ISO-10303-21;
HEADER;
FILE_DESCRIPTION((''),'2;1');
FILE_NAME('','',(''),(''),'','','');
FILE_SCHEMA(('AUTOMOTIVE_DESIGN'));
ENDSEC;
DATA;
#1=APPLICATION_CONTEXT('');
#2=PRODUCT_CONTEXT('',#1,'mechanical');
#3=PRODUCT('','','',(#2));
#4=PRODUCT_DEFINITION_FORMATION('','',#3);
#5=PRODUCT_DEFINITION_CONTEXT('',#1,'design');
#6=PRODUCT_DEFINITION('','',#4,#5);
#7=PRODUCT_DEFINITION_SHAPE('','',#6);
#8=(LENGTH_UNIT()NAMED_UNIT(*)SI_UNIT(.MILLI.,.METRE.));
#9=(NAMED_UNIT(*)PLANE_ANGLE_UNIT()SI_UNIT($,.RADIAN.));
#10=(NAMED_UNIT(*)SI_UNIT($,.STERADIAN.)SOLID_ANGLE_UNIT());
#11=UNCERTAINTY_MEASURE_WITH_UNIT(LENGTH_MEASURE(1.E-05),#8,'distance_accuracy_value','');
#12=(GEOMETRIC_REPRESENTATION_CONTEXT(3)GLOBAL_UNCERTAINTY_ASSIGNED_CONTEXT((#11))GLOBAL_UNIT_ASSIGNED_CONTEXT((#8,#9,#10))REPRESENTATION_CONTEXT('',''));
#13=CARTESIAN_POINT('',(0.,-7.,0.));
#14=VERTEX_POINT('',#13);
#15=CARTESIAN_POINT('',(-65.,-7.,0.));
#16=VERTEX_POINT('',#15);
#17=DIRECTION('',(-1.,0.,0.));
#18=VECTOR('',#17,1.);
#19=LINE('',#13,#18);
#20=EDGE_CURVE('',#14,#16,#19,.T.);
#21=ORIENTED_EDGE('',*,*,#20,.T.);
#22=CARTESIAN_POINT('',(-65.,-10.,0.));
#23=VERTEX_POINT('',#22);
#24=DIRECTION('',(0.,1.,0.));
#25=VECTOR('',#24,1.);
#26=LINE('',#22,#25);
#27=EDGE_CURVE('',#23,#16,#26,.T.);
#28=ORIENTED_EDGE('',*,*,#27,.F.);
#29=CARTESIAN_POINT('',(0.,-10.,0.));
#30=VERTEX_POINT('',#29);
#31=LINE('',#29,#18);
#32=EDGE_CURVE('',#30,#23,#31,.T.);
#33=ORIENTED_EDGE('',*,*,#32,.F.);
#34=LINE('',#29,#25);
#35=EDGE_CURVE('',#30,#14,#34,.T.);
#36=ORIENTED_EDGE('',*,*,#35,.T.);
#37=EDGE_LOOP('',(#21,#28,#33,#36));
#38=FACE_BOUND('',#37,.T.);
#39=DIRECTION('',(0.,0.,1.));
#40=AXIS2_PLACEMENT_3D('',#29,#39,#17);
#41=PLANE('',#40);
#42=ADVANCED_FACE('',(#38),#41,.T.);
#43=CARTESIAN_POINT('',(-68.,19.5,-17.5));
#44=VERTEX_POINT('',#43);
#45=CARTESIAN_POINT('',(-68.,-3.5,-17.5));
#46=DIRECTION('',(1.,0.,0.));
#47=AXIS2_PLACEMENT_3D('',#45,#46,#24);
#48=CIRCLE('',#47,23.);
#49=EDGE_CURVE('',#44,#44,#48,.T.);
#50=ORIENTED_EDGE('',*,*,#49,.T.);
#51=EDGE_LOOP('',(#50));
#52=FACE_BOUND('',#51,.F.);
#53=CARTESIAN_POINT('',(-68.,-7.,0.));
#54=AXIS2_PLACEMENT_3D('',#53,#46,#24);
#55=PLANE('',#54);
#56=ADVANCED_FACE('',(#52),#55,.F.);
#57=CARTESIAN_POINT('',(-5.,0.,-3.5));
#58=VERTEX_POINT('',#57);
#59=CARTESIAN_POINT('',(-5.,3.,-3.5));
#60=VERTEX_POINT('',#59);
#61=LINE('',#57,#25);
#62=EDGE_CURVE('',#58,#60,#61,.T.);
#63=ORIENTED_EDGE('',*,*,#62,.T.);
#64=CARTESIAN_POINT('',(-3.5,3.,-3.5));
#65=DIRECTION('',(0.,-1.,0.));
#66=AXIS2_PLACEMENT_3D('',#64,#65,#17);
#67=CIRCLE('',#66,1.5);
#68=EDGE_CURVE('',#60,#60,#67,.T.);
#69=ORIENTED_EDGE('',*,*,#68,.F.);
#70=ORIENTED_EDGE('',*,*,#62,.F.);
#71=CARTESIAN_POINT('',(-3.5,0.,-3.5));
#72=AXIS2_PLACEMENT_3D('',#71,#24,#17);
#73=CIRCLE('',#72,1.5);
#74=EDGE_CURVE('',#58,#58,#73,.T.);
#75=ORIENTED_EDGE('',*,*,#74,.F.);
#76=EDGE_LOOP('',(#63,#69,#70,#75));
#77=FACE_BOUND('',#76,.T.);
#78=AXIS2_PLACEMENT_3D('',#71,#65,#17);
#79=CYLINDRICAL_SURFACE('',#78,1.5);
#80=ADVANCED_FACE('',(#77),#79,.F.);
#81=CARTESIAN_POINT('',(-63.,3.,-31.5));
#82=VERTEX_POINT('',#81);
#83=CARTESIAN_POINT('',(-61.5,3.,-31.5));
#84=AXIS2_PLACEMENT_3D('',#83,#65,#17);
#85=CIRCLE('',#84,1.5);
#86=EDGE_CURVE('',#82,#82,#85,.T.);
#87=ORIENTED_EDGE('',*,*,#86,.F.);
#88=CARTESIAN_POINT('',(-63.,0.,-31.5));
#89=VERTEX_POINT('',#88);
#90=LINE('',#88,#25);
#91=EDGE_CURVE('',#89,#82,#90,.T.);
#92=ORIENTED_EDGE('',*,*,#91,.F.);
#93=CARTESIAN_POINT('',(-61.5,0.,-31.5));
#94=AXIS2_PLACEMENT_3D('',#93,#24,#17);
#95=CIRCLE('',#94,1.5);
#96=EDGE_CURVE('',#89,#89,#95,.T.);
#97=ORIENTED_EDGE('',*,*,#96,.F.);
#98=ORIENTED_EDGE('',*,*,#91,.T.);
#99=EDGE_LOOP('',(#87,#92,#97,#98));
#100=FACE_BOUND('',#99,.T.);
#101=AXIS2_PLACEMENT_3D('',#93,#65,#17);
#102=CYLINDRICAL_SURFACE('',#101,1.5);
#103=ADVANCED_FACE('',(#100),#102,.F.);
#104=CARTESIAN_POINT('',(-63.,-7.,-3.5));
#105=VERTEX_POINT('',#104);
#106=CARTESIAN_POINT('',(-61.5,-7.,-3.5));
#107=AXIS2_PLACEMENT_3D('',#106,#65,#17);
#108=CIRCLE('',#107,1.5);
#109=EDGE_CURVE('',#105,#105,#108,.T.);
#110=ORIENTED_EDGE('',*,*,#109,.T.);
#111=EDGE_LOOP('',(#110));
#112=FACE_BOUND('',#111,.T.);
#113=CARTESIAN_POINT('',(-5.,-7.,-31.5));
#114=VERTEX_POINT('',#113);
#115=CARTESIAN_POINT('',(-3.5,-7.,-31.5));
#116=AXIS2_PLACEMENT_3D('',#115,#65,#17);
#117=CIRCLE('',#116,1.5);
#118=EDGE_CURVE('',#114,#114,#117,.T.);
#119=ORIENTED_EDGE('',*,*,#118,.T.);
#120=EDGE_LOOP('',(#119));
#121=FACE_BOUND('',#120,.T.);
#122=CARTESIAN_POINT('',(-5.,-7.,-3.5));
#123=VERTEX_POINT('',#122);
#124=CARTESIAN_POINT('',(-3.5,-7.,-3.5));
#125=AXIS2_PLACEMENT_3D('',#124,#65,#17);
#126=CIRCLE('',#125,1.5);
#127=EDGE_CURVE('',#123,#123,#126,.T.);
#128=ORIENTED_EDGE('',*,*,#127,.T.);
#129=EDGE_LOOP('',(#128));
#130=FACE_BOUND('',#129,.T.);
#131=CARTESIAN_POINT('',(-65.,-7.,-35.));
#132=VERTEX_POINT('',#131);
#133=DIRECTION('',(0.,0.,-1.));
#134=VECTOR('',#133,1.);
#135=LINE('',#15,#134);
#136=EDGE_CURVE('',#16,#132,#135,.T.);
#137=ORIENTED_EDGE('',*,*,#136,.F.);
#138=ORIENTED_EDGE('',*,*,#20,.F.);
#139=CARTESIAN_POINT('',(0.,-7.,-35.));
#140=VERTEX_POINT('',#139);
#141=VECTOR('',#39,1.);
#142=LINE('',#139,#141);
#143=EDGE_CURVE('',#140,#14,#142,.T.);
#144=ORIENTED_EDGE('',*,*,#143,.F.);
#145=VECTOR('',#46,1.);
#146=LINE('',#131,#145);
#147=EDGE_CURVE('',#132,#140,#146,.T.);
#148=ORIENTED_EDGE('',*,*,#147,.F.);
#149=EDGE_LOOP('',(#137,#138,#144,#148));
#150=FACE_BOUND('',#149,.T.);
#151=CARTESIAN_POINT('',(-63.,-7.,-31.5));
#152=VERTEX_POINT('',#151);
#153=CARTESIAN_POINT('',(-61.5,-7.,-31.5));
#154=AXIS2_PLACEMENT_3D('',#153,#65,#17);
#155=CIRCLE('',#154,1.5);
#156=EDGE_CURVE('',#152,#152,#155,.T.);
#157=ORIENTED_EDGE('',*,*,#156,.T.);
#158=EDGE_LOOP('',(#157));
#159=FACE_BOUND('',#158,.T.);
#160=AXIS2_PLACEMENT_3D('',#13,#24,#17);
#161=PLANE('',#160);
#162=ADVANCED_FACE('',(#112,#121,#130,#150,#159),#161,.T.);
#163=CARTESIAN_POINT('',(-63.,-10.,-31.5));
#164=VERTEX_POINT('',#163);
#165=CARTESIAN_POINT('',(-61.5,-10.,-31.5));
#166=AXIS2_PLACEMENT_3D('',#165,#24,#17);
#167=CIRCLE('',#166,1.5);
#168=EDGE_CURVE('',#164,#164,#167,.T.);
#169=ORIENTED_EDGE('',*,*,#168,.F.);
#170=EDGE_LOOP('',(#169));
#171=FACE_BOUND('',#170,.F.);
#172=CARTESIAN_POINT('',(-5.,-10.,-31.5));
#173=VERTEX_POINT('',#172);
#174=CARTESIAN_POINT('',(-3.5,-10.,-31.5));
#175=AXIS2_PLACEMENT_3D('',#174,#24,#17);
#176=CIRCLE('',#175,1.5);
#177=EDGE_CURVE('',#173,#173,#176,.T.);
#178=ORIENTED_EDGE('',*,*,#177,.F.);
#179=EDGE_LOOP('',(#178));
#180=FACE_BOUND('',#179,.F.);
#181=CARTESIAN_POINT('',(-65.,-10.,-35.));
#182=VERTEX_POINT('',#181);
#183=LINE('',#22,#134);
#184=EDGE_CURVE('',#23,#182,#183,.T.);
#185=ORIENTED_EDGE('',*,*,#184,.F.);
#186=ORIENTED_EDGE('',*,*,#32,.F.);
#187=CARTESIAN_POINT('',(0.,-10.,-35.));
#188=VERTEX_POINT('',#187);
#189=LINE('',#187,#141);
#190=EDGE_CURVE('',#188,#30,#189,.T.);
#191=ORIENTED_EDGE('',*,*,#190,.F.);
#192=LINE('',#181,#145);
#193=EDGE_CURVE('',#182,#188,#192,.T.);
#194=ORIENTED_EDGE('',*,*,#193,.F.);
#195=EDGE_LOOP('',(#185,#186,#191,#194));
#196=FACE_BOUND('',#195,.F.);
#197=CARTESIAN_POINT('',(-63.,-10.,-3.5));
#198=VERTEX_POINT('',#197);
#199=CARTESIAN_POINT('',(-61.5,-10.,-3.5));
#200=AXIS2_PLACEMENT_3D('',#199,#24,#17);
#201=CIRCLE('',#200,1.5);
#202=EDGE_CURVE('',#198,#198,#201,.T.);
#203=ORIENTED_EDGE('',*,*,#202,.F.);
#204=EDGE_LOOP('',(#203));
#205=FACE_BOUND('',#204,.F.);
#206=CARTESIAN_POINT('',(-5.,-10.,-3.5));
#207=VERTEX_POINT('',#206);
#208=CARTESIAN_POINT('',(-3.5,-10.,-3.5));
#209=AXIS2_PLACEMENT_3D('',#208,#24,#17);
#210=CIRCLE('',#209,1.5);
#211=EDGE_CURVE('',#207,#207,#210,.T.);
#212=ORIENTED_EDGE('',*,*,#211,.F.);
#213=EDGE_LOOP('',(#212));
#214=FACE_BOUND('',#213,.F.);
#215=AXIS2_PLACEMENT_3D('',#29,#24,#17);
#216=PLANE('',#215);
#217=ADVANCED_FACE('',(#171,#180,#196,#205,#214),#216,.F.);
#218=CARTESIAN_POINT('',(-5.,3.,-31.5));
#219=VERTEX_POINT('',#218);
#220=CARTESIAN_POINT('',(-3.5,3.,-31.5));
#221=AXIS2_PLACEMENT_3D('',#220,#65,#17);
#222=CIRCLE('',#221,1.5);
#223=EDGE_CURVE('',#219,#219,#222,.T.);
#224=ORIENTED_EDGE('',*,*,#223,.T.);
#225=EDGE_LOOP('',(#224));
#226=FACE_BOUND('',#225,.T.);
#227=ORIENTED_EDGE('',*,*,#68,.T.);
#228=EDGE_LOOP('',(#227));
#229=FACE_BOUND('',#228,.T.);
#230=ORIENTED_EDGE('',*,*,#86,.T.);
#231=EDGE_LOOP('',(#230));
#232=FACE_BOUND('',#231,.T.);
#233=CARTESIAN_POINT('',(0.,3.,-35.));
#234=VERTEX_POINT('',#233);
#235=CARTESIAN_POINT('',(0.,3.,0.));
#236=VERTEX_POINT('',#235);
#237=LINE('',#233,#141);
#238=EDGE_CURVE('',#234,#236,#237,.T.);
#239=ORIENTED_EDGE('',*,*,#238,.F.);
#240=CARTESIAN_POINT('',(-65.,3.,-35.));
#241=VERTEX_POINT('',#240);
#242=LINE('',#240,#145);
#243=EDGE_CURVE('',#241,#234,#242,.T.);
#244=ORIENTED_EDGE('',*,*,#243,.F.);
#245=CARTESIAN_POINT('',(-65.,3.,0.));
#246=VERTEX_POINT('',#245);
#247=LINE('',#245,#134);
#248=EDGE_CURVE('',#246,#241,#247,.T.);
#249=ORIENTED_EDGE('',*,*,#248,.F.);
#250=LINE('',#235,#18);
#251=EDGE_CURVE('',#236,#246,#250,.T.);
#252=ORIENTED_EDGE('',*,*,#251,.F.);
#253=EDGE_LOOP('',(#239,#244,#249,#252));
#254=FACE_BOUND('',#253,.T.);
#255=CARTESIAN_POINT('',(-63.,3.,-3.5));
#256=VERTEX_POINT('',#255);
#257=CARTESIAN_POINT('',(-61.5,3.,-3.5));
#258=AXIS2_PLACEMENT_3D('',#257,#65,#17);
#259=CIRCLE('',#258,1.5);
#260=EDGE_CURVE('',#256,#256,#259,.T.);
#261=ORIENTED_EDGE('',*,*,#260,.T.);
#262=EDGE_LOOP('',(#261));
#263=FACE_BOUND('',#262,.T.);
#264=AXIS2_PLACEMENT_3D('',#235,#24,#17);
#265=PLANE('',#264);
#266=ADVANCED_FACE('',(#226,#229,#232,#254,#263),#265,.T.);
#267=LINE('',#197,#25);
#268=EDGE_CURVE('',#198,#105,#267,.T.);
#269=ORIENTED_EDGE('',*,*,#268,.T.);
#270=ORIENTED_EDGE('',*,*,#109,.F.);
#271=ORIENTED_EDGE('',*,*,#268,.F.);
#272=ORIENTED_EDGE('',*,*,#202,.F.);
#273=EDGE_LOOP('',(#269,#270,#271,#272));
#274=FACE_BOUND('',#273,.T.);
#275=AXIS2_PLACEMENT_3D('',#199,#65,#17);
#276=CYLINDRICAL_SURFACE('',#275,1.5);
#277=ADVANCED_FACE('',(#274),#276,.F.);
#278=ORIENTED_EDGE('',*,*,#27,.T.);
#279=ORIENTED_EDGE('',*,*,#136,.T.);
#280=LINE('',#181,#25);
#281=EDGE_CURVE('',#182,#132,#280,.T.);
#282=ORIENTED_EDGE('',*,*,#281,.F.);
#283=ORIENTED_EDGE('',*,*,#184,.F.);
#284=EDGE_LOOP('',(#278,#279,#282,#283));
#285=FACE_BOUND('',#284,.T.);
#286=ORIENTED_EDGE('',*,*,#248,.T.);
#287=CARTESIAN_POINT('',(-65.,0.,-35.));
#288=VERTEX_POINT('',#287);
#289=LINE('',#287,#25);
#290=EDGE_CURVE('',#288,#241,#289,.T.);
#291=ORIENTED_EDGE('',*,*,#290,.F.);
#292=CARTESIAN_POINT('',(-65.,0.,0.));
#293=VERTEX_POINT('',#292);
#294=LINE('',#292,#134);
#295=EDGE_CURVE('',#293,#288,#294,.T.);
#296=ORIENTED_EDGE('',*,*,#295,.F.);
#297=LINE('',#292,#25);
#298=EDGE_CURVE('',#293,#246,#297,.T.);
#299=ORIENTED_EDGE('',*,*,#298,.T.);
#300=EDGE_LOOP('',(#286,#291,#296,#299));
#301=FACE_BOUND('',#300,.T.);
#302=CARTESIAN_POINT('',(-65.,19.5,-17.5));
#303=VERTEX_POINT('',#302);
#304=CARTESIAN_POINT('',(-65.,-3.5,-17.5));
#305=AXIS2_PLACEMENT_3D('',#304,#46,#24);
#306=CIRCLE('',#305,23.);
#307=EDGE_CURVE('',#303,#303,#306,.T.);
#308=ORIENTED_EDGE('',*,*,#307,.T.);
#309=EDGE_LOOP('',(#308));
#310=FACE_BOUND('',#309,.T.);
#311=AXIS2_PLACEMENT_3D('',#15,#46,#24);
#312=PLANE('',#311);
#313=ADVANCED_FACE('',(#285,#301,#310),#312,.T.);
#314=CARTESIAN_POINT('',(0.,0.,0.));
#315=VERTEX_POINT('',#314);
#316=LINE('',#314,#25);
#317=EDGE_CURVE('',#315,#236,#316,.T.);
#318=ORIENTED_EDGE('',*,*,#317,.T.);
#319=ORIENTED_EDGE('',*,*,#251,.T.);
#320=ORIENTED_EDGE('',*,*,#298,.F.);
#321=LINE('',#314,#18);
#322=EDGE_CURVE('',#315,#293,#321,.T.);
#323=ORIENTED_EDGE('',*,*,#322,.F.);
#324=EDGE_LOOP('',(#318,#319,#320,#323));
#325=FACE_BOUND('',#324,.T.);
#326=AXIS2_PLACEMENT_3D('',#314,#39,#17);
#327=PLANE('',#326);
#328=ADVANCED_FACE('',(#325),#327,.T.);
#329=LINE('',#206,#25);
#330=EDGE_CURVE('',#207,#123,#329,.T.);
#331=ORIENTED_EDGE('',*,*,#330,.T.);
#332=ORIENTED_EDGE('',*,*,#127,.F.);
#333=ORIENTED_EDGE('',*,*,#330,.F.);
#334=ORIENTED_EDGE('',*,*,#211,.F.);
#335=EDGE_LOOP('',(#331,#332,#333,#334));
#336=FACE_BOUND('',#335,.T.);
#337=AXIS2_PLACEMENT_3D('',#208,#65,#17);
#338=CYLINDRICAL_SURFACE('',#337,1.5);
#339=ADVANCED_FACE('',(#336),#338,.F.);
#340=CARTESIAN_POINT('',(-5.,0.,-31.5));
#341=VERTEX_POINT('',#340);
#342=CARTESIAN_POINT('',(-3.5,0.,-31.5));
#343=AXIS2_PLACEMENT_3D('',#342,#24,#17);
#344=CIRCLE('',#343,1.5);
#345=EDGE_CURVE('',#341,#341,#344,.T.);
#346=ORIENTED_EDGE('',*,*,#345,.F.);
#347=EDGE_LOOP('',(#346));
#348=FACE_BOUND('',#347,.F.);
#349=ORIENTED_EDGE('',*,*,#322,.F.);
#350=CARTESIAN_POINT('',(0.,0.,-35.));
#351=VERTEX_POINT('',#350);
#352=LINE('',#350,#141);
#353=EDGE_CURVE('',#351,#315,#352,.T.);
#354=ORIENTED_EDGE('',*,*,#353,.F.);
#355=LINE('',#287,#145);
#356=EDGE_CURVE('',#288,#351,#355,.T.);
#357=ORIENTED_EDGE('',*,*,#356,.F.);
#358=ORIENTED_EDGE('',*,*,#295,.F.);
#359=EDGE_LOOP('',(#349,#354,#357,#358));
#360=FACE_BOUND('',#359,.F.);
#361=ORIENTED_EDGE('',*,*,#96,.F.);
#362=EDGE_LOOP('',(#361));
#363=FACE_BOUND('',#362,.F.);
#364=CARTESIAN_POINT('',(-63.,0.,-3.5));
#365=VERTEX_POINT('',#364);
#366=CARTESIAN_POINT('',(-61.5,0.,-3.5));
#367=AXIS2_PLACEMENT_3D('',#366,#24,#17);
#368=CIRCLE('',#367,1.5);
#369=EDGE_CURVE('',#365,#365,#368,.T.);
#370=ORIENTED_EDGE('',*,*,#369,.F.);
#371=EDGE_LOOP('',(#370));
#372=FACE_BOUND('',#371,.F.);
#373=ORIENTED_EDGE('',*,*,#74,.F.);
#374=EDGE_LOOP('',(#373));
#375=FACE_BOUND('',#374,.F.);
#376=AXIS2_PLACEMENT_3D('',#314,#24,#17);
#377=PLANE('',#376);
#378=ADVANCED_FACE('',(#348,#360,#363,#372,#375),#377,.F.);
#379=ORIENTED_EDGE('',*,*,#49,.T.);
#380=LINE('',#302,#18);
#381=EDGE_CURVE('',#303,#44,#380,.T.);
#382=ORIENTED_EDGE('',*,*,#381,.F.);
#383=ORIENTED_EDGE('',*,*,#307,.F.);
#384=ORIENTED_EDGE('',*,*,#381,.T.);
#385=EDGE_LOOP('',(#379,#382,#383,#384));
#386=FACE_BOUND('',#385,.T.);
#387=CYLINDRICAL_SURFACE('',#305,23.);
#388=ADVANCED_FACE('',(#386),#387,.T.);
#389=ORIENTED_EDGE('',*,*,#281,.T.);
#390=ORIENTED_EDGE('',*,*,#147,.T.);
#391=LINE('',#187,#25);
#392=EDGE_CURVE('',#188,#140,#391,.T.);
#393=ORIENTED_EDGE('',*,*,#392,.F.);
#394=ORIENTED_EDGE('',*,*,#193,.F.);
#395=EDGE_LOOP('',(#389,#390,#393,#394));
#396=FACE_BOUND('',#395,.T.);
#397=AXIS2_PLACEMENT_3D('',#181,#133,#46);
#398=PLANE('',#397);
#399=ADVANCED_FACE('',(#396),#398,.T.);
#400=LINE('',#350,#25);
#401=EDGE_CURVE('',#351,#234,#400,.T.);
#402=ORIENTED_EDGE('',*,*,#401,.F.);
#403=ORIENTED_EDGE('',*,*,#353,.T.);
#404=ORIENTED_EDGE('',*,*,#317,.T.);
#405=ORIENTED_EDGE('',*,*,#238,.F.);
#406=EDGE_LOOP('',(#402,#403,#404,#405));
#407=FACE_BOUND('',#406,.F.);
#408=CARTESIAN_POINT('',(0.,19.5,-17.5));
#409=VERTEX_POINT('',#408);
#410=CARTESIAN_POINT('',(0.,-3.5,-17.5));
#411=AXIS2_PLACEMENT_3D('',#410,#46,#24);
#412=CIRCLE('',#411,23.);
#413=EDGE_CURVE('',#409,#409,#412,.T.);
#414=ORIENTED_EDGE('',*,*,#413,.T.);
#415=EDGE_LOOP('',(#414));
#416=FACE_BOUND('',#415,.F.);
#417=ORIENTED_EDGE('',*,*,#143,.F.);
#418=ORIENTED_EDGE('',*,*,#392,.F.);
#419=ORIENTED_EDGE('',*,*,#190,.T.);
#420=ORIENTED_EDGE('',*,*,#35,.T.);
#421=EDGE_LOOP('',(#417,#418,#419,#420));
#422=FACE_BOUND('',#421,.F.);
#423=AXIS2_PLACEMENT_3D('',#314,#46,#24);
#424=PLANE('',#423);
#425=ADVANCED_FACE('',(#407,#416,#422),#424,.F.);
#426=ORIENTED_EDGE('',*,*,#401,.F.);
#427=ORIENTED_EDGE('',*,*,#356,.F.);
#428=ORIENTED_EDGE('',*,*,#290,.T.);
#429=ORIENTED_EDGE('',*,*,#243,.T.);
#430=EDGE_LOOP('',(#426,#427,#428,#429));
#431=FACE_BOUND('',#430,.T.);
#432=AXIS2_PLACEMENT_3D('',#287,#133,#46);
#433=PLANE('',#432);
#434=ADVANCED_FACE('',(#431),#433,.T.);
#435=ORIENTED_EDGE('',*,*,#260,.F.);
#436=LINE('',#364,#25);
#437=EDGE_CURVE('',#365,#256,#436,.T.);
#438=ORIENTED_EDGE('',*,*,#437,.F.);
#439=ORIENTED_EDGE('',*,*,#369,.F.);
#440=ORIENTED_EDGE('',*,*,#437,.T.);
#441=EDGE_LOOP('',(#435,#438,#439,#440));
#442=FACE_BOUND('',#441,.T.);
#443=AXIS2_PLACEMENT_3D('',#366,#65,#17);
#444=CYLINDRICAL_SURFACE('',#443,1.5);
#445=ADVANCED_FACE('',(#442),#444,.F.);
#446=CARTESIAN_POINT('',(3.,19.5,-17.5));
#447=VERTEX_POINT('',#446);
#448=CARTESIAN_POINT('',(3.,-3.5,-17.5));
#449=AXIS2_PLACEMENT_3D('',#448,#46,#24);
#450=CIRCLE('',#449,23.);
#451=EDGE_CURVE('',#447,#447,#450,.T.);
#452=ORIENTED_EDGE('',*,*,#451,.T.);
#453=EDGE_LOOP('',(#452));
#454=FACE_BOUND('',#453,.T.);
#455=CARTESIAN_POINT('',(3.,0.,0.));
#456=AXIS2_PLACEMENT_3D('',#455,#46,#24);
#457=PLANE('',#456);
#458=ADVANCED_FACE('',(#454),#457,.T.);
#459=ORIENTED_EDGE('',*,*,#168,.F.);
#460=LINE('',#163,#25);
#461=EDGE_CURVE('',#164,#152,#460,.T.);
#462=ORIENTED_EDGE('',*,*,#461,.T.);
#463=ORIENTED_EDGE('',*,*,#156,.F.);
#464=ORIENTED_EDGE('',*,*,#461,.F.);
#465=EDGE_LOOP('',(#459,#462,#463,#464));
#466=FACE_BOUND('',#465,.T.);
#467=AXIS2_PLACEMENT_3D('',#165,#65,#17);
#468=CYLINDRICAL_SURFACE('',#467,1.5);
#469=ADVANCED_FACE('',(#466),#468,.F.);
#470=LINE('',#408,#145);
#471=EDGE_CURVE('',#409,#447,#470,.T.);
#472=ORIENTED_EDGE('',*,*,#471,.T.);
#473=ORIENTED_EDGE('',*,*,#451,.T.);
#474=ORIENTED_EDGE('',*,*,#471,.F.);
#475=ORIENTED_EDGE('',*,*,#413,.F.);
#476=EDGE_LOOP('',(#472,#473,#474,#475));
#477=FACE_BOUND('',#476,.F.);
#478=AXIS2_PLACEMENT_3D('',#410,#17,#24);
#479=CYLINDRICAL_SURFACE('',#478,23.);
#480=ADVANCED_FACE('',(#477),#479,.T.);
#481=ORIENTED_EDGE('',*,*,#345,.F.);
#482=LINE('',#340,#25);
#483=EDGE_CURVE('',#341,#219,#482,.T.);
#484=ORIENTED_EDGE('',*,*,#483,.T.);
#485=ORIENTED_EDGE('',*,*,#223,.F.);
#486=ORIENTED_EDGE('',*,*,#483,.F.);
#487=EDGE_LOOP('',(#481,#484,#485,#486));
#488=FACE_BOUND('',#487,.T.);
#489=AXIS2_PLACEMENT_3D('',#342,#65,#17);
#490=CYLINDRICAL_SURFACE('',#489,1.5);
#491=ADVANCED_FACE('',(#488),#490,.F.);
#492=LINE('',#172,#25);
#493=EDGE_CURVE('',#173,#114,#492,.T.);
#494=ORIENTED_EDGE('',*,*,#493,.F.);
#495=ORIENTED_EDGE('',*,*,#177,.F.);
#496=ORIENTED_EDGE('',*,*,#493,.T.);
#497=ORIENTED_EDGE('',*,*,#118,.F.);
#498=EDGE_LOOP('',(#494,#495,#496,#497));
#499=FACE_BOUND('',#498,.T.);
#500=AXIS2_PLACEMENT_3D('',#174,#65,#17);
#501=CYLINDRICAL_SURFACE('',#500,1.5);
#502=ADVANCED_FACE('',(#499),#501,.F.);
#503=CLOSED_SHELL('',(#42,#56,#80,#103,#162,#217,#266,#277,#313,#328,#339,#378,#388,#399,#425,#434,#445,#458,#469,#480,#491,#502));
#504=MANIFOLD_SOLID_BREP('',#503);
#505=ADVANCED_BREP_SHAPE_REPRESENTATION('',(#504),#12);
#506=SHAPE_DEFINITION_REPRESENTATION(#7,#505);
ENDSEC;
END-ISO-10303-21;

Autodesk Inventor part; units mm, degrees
sketch "Sketch2" plane through (0, 0, 0) normal (0, 1, 0) x (-1, 0, 0)
  line L0 (0, 0) -> (65, 0)
  line L1 (65, 0) -> (65, -35)
  line L2 (65, -35) -> (0, -35)
  line L3 (0, -35) -> (0, 0)
  dimension "d1" = 65
  dimension "d2" = 35
extrude "Extrusion1" add sketch "Sketch2" along normal blind 3
ref_plane "Work Plane1" through (0, 1.5, 0) normal (0, 1, 0) x (-1, 0, 0)
sketch "Sketch5" plane through (0, 0, 0) normal (0, 1, 0) x (-1, 0, 0)
  circle A0 centre (3.5, -31.5) radius 1.5
  circle A1 centre (3.5, -3.5) radius 1.5
  circle A2 centre (61.5, -31.5) radius 1.5
  circle A3 centre (61.5, -3.5) radius 1.5
  line L0 (0, 0) -> (0, -35) projected
  line L1 (65, -35) -> (65, 0) projected
  line L2 (0, -35) -> (65, -35) projected
  line L3 (65, 0) -> (0, 0) projected
  dimension "d22" = 3
  dimension "d23" = 3
  dimension "d24" = 3
  dimension "d25" = 3
  dimension "d26" = 3.5
  dimension "d27" = 3.5
  dimension "d28" = 3.5
  dimension "d29" = 3.5
  dimension "d30" = 3.5
  dimension "d31" = 3.5
  dimension "d32" = 3.5
  dimension "d33" = 3.5
extrude "Extrusion4" cut sketch "Sketch5" along normal blind 10 contours A0 | A1 | A2 | A3
pattern_linear "Rectangular Pattern1" count 2 spacing 10 along (0, -1, 0)
ref_plane "Work Plane2" through (-65, -7, 0) normal (1, 0, 0) x (0, 1, 0)
sketch "Sketch6" plane through (-65, -7, 0) normal (1, 0, 0) x (0, 1, 0)
  line L0 (7, -35) -> (10, -35) projected
  line L1 (-3, -35) -> (0, -35) projected
  line L2 (-3, 0) -> (0, 0) projected
  circle A0 centre (3.5, -17.5) radius 23
  line L3 (-3, -35) -> (-3, 0) projected
  line L4 (10, -35) -> (10, 0) projected
  point P0 (7, 0)
  point P1 (8.5, -35)
  point P2 (-1.5, -35)
  point P3 (-1.5, 0)
  point P4 (-1.5, -35)
extrude "Extrusion5" add sketch "Sketch6" against normal blind 3
ref_plane "Work Plane3" through (0, 0, 0) normal (1, 0, 0) x (0, 1, 0)
sketch "Sketch7" plane through (0, 0, 0) normal (1, 0, 0) x (0, 1, 0)
  circle A0 centre (-3.5, -17.5) radius 23
  line L0 (-10, 0) -> (-10, -35) projected
  line L1 (3, 0) -> (3, -35) projected
  line L2 (0, 0) -> (3, 0) projected
  line L3 (-10, -35) -> (-7, -35) projected
  dimension "d49" = 46
extrude "Extrusion6" add sketch "Sketch7" along normal blind 3
equation "\"d26\" = d27"
equation "\"d29\" = d28"
equation "\"d30\" = d28"
equation "\"d31\" = d27"
equation "\"d32\" = d26"
equation "\"d33\" = d30"
properties part number "koszyk na elektro"
